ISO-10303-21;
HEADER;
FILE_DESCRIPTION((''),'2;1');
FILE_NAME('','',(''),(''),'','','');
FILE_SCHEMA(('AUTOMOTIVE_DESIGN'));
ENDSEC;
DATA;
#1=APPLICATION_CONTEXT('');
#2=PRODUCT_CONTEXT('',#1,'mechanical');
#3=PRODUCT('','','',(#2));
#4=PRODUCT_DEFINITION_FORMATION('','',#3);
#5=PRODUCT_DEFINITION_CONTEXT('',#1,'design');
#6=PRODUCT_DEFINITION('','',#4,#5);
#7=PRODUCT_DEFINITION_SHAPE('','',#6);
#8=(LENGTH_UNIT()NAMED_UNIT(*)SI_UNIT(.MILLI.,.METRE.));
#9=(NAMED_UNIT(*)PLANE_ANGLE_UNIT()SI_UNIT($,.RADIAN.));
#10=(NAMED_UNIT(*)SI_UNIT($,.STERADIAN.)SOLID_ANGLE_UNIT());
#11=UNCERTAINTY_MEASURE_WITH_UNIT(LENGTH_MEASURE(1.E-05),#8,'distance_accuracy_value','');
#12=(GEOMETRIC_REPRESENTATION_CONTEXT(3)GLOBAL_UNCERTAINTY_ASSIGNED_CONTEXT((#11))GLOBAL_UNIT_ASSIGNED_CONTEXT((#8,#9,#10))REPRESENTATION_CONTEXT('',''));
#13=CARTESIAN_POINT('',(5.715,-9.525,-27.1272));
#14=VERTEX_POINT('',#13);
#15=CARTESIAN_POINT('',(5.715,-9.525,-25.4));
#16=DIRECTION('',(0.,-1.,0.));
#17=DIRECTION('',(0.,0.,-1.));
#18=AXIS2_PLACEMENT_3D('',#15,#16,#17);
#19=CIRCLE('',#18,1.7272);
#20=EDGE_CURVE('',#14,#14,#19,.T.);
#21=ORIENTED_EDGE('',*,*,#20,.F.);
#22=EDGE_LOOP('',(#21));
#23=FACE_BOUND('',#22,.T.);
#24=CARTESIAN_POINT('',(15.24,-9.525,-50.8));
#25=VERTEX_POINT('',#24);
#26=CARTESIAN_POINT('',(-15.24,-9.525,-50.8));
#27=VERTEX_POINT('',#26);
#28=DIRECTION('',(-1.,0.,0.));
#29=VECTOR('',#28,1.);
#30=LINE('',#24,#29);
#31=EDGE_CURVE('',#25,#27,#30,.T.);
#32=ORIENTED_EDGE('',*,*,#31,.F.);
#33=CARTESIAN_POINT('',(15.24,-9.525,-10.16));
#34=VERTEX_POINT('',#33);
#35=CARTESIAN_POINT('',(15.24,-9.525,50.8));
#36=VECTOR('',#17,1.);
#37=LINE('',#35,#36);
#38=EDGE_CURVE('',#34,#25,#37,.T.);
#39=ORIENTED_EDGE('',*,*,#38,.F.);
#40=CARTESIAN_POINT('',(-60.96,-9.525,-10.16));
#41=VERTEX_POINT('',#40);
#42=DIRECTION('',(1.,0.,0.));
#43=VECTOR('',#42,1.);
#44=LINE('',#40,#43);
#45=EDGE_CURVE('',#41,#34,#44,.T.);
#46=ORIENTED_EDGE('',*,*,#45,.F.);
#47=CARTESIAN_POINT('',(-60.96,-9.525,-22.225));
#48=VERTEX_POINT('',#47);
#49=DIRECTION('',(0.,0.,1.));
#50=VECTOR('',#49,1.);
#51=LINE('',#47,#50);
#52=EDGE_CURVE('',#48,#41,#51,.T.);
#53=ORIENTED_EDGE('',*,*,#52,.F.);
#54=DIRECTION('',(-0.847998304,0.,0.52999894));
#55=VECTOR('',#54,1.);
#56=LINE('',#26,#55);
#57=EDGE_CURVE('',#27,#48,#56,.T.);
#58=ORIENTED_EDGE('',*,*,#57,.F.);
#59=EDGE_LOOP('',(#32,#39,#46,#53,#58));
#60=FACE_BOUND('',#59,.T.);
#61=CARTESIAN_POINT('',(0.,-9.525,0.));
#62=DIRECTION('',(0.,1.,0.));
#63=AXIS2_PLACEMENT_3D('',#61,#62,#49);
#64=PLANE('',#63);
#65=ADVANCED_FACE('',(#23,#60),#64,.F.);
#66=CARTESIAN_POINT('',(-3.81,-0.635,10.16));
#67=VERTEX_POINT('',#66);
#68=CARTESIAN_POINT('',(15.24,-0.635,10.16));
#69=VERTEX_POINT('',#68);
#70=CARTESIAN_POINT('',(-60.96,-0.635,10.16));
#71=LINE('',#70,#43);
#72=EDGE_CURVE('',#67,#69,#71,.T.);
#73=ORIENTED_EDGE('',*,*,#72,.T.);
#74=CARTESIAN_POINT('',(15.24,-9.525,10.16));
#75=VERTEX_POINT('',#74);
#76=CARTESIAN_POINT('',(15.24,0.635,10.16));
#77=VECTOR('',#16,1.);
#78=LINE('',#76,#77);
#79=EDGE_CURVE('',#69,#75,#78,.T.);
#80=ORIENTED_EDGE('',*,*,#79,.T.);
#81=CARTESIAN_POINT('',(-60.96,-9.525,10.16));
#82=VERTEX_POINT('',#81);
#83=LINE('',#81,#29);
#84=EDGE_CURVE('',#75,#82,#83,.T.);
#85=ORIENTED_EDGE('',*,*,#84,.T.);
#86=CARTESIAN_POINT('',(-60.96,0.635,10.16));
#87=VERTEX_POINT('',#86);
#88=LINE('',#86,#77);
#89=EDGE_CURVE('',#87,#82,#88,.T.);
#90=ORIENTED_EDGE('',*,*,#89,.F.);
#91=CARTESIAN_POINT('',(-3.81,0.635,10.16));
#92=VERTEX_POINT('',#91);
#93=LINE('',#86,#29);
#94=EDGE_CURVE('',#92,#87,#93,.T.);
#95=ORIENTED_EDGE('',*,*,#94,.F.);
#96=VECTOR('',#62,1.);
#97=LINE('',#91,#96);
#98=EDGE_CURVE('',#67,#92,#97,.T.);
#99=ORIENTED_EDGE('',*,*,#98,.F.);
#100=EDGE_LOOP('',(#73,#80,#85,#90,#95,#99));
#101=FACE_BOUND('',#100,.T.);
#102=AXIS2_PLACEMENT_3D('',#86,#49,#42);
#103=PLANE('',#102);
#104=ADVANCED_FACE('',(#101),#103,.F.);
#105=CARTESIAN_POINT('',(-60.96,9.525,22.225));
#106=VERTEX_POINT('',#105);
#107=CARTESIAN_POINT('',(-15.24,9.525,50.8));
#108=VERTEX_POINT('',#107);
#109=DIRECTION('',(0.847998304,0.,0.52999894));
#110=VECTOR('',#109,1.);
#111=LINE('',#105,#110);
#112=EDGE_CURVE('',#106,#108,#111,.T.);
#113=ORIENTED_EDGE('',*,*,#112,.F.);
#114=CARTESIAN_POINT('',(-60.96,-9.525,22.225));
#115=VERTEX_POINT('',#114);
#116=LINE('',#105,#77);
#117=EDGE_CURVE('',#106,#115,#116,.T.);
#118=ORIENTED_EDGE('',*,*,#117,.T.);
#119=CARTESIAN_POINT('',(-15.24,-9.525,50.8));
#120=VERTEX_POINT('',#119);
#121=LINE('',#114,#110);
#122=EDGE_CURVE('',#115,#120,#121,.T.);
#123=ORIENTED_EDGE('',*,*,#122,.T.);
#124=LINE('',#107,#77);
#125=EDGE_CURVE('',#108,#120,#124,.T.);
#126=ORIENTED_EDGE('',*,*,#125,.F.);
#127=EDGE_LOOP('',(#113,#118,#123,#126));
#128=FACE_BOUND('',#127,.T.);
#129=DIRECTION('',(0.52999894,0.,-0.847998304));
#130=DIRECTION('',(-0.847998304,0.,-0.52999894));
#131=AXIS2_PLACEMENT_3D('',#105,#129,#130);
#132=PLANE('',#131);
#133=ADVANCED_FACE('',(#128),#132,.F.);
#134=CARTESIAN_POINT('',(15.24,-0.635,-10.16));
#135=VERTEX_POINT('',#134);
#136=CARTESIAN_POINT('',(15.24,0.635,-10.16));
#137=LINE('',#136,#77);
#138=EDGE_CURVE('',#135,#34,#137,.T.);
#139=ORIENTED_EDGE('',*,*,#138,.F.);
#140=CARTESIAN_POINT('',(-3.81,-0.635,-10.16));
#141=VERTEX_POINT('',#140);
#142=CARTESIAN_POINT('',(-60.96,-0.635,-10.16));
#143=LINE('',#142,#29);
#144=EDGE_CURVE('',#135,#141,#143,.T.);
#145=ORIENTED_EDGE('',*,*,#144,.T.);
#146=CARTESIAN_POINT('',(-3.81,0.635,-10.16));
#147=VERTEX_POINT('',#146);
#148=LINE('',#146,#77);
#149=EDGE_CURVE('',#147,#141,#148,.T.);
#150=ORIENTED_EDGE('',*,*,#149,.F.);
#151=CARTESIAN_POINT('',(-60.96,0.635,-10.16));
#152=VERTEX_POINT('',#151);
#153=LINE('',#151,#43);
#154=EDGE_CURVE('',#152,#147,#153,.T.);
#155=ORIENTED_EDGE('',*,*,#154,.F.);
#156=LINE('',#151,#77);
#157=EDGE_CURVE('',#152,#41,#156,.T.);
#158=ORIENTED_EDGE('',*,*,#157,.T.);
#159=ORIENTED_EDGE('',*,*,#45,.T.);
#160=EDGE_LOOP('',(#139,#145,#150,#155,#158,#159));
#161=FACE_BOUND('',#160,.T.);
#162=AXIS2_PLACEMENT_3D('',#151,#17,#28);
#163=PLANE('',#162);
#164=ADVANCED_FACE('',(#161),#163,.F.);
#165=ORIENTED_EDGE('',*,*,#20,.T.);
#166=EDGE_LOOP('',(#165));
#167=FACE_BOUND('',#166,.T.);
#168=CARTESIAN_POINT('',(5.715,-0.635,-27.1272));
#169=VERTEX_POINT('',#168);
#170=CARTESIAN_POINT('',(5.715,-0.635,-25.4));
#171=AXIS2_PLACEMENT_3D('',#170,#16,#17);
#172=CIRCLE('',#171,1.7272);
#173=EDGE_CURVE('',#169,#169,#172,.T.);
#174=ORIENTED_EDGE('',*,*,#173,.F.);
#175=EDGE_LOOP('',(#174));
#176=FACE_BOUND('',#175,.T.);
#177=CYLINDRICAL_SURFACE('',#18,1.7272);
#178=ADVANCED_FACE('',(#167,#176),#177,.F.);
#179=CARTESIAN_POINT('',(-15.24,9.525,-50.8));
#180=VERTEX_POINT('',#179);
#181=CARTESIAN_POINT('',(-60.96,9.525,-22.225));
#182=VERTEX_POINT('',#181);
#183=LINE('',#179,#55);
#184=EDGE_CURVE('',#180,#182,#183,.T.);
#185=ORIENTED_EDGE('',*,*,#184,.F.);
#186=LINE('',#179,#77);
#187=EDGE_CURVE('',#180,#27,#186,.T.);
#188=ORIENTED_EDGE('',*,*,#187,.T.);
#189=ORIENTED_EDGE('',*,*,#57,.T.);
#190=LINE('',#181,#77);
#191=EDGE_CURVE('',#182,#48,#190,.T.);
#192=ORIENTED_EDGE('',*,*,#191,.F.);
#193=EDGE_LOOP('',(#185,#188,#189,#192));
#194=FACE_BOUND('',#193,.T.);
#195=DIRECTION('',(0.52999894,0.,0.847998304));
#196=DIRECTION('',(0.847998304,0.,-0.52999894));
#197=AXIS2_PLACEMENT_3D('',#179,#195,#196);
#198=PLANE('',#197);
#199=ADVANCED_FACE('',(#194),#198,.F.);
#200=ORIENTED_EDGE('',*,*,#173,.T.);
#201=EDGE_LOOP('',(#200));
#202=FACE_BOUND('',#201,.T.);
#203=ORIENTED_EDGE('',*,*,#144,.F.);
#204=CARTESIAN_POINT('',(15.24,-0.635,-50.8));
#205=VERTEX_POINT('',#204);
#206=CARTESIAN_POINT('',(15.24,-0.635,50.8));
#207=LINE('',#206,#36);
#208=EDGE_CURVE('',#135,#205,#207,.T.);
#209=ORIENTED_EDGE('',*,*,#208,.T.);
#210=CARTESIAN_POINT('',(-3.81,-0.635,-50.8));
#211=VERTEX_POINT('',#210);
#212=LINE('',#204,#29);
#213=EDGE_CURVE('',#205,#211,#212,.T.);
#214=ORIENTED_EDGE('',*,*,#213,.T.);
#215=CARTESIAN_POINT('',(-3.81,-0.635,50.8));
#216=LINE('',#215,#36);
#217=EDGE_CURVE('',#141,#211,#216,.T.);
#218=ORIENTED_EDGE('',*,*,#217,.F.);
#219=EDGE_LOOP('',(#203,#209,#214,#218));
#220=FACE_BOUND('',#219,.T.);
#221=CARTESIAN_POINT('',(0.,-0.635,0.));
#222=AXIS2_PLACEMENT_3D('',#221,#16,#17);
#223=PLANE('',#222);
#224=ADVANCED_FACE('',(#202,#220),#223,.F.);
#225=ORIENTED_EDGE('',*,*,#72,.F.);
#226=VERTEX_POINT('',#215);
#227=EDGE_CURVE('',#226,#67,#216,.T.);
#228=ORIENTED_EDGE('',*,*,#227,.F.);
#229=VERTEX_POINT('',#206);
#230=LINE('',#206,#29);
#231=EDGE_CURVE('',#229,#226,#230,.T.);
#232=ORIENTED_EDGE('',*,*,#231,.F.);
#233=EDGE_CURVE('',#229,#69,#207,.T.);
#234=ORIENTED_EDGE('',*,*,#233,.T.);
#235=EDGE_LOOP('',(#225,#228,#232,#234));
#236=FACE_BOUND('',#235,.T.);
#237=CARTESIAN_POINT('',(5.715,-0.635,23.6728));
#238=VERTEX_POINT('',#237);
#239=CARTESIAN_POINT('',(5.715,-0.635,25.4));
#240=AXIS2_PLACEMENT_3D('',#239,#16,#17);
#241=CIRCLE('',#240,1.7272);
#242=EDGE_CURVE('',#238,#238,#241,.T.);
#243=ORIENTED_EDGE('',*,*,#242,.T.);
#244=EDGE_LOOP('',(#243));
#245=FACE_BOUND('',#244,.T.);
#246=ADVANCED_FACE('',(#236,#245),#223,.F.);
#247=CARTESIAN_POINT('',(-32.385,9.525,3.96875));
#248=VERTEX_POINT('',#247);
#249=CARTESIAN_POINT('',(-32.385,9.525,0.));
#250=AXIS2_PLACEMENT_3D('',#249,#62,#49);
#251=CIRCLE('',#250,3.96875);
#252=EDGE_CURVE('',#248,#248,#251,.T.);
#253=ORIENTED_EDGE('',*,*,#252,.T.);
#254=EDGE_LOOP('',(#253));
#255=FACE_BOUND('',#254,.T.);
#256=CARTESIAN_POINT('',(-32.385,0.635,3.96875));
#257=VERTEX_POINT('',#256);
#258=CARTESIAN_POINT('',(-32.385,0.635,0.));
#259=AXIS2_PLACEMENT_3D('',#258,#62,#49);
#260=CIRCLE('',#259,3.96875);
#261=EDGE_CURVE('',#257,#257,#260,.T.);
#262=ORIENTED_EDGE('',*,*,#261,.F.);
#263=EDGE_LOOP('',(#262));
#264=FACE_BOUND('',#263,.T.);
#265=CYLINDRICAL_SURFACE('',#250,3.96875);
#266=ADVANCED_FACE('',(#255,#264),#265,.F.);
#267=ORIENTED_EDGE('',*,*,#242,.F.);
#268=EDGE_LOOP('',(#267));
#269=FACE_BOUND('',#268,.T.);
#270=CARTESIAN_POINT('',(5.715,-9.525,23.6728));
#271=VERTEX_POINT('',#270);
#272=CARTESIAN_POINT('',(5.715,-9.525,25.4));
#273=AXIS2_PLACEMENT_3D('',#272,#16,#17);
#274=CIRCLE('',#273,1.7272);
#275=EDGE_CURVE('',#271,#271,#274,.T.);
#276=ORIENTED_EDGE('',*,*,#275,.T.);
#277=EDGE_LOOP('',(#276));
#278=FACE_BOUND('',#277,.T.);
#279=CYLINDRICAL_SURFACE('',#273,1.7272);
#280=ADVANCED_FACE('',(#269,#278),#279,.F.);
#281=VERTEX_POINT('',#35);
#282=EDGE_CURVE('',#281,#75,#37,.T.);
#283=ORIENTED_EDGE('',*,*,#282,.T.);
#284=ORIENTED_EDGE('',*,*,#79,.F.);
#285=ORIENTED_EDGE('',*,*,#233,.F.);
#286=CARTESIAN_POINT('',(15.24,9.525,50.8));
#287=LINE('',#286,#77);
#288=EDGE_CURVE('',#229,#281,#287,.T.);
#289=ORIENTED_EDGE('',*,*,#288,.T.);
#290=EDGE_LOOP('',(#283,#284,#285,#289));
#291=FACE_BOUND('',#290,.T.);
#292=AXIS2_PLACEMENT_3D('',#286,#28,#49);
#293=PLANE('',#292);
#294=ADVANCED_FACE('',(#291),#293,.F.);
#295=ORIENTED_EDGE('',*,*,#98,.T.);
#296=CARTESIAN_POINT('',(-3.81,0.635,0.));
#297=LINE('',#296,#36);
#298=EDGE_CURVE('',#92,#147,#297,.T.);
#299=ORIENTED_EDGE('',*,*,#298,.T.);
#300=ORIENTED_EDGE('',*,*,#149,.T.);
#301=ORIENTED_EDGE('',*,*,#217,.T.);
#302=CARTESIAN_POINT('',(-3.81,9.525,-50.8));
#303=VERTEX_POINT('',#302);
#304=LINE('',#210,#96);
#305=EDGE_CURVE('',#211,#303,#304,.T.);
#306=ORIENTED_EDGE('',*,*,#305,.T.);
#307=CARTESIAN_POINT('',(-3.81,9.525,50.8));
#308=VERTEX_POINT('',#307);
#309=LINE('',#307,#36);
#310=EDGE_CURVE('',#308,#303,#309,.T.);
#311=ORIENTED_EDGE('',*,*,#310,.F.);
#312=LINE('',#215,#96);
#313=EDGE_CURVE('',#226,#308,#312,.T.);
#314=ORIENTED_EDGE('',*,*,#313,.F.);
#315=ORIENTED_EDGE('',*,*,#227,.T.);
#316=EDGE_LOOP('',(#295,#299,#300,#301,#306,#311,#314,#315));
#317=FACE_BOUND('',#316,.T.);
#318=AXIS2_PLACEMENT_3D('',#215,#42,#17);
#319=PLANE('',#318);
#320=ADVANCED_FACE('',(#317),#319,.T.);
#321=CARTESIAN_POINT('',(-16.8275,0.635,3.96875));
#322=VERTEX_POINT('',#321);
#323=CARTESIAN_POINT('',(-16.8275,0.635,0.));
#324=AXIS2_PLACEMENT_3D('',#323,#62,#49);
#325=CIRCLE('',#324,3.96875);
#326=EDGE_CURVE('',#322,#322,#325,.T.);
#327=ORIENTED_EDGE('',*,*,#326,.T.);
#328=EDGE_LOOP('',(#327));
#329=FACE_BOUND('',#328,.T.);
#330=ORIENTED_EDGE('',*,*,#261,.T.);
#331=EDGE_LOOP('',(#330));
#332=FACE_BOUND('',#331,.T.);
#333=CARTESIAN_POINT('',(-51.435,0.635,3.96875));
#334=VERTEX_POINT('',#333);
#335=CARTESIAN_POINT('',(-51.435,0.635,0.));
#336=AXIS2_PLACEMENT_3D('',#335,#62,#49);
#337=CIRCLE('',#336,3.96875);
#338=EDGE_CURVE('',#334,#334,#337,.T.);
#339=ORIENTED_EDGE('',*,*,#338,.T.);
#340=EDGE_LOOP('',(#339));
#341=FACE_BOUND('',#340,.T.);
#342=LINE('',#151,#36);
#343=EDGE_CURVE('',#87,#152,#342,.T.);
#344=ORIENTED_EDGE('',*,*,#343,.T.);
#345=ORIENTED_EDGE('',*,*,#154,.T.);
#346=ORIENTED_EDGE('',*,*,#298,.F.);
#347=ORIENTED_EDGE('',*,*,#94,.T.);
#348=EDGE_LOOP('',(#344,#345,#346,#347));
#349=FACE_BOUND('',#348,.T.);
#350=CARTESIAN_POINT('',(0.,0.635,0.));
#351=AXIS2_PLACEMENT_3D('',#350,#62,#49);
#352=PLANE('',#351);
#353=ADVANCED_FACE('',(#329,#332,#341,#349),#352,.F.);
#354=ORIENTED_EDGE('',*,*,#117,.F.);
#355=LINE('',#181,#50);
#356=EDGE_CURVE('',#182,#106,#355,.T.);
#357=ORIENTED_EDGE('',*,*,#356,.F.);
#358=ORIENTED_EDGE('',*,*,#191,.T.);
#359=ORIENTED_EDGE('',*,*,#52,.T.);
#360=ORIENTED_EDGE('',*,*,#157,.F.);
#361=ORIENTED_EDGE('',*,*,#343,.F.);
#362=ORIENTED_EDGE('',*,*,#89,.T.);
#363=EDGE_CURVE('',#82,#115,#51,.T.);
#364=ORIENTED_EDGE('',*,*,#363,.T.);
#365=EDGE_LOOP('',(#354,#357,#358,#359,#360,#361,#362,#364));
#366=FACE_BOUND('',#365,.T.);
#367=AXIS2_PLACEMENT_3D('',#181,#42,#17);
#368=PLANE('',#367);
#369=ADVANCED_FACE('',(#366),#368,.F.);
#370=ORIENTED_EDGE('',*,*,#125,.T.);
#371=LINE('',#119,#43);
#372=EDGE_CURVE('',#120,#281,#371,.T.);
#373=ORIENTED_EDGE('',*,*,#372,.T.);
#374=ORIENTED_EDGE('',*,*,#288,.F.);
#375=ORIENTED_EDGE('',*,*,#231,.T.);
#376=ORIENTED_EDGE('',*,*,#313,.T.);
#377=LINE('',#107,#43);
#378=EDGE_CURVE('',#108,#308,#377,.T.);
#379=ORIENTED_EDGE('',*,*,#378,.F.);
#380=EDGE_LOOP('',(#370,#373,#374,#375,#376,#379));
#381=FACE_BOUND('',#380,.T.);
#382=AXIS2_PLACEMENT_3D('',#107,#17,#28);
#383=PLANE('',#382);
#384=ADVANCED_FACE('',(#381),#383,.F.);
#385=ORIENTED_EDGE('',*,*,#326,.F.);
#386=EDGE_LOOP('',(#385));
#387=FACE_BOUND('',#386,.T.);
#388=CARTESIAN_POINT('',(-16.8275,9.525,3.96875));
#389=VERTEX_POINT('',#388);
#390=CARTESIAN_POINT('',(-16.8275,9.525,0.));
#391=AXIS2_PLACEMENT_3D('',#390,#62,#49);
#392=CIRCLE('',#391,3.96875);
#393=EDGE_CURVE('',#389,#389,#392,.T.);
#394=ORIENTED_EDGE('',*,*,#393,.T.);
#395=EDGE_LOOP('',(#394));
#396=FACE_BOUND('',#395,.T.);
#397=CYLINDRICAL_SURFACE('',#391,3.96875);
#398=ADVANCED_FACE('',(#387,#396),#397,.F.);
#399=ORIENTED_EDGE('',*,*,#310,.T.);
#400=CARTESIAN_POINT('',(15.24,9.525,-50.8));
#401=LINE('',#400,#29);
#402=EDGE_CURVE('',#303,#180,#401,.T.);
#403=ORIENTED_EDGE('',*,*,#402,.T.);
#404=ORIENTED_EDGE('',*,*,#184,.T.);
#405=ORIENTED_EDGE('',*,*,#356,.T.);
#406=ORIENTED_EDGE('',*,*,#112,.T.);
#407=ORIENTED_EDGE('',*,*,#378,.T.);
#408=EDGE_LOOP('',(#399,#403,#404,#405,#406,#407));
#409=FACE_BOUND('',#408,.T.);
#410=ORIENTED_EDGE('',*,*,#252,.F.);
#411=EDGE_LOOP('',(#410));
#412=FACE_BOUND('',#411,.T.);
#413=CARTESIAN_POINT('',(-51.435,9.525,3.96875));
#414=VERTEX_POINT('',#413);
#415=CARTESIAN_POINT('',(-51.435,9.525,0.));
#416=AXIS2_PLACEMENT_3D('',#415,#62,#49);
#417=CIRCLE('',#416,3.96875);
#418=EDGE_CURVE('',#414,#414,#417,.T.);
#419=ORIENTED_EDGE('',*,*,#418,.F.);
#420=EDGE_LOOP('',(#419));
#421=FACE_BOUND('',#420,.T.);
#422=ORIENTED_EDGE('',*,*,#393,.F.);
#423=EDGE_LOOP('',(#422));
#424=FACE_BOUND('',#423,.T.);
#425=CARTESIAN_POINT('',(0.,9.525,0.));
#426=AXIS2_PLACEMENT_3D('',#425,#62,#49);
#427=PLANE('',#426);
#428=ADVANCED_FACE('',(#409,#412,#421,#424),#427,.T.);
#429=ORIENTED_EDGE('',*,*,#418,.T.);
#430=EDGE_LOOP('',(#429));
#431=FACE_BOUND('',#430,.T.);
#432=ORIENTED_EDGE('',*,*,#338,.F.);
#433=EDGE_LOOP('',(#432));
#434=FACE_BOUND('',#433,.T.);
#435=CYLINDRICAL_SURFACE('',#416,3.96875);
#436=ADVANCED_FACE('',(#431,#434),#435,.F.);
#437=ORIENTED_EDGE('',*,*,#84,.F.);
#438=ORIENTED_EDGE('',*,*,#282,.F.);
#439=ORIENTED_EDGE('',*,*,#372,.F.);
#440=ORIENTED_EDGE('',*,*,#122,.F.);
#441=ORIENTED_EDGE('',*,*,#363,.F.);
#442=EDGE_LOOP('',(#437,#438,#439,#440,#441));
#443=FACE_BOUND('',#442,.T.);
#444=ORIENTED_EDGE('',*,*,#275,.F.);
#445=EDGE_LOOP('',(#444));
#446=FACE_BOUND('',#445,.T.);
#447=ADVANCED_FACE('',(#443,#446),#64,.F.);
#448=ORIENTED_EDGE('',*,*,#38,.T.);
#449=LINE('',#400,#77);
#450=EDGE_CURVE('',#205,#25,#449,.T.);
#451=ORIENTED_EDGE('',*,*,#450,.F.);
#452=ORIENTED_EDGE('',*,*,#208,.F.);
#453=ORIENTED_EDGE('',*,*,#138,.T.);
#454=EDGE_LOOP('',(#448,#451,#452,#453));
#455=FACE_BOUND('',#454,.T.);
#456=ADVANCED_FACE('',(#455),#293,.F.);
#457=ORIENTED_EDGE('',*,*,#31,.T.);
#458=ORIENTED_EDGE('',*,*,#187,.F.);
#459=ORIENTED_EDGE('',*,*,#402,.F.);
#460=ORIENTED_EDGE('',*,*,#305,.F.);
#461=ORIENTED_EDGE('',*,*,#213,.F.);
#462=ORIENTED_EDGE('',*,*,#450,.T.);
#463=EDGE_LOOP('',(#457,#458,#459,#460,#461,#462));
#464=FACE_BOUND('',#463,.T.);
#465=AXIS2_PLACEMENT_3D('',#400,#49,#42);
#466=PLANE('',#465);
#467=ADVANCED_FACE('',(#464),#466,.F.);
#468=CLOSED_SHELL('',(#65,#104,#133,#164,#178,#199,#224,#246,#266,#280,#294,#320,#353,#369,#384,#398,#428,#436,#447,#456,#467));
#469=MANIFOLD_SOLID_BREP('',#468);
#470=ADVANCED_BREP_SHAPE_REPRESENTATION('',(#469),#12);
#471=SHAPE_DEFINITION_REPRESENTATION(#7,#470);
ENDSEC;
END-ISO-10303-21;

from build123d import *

# Parameters (mm, degrees)
BOSS_EXTRUDE1_DEPTH            = 9.525
SKETCH2_W                      = 76.2
SKETCH2_H                      = 20.32
CUT_EXTRUDE1_DEPTH             = 10.16
SKETCH3_W                      = 19.05
SKETCH3_H                      = 101.6
CUT_EXTRUDE2_DEPTH             = 10.16
F_5_16_0_3125_DIAMETER_HOLE1_D = 7.9375
F_8_32_TAPPED_HOLE1_D          = 3.4544


with BuildPart() as part:
    # Sketch1 → Boss-Extrude1 (new, symmetric)
    with BuildSketch(Plane(origin=(0, 0, 0), x_dir=(1, 0, 0), z_dir=(0, 1, 0))):
        Polygon((-60.96, 22.225), (-60.96, -22.225), (-15.24, -50.8), (15.24, -50.8), (15.24, 50.8), (-15.24, 50.8), align=None)
    extrude(amount=BOSS_EXTRUDE1_DEPTH, both=True)

    # Sketch2 → Cut-Extrude1 (cut)
    with BuildSketch(Plane.XZ.offset(9.525)):
        with Locations((-22.86, 0)):
            Rectangle(SKETCH2_W, SKETCH2_H)
    extrude(amount=-CUT_EXTRUDE1_DEPTH, mode=Mode.SUBTRACT)

    # Sketch3 → Cut-Extrude2 (cut)
    with BuildSketch(Plane(origin=(0, 9.525, 0), x_dir=(1, 0, 0), z_dir=(0, 1, 0))):
        with Locations((5.715, 0)):
            Rectangle(SKETCH3_W, SKETCH3_H)
    extrude(amount=-CUT_EXTRUDE2_DEPTH, mode=Mode.SUBTRACT)

    # 5/16 (0.3125) Diameter Hole1 (through all)
    with Locations(Plane(origin=(0, 9.525, 0), x_dir=(1, 0, 0), z_dir=(0, 1, 0))):
        with Locations((-51.435, 0), (-32.385, 0), (-16.8275, 0)):
            Hole(F_5_16_0_3125_DIAMETER_HOLE1_D / 2)

    # #8-32 Tapped Hole1 (through all)
    with Locations(Plane(origin=(0, -9.525, 0), x_dir=(-1, 0, 0), z_dir=(0, -1, 0))):
        with Locations((-5.715, -25.4), (-5.715, 25.4)):
            Hole(F_8_32_TAPPED_HOLE1_D / 2)


solid = part.part
